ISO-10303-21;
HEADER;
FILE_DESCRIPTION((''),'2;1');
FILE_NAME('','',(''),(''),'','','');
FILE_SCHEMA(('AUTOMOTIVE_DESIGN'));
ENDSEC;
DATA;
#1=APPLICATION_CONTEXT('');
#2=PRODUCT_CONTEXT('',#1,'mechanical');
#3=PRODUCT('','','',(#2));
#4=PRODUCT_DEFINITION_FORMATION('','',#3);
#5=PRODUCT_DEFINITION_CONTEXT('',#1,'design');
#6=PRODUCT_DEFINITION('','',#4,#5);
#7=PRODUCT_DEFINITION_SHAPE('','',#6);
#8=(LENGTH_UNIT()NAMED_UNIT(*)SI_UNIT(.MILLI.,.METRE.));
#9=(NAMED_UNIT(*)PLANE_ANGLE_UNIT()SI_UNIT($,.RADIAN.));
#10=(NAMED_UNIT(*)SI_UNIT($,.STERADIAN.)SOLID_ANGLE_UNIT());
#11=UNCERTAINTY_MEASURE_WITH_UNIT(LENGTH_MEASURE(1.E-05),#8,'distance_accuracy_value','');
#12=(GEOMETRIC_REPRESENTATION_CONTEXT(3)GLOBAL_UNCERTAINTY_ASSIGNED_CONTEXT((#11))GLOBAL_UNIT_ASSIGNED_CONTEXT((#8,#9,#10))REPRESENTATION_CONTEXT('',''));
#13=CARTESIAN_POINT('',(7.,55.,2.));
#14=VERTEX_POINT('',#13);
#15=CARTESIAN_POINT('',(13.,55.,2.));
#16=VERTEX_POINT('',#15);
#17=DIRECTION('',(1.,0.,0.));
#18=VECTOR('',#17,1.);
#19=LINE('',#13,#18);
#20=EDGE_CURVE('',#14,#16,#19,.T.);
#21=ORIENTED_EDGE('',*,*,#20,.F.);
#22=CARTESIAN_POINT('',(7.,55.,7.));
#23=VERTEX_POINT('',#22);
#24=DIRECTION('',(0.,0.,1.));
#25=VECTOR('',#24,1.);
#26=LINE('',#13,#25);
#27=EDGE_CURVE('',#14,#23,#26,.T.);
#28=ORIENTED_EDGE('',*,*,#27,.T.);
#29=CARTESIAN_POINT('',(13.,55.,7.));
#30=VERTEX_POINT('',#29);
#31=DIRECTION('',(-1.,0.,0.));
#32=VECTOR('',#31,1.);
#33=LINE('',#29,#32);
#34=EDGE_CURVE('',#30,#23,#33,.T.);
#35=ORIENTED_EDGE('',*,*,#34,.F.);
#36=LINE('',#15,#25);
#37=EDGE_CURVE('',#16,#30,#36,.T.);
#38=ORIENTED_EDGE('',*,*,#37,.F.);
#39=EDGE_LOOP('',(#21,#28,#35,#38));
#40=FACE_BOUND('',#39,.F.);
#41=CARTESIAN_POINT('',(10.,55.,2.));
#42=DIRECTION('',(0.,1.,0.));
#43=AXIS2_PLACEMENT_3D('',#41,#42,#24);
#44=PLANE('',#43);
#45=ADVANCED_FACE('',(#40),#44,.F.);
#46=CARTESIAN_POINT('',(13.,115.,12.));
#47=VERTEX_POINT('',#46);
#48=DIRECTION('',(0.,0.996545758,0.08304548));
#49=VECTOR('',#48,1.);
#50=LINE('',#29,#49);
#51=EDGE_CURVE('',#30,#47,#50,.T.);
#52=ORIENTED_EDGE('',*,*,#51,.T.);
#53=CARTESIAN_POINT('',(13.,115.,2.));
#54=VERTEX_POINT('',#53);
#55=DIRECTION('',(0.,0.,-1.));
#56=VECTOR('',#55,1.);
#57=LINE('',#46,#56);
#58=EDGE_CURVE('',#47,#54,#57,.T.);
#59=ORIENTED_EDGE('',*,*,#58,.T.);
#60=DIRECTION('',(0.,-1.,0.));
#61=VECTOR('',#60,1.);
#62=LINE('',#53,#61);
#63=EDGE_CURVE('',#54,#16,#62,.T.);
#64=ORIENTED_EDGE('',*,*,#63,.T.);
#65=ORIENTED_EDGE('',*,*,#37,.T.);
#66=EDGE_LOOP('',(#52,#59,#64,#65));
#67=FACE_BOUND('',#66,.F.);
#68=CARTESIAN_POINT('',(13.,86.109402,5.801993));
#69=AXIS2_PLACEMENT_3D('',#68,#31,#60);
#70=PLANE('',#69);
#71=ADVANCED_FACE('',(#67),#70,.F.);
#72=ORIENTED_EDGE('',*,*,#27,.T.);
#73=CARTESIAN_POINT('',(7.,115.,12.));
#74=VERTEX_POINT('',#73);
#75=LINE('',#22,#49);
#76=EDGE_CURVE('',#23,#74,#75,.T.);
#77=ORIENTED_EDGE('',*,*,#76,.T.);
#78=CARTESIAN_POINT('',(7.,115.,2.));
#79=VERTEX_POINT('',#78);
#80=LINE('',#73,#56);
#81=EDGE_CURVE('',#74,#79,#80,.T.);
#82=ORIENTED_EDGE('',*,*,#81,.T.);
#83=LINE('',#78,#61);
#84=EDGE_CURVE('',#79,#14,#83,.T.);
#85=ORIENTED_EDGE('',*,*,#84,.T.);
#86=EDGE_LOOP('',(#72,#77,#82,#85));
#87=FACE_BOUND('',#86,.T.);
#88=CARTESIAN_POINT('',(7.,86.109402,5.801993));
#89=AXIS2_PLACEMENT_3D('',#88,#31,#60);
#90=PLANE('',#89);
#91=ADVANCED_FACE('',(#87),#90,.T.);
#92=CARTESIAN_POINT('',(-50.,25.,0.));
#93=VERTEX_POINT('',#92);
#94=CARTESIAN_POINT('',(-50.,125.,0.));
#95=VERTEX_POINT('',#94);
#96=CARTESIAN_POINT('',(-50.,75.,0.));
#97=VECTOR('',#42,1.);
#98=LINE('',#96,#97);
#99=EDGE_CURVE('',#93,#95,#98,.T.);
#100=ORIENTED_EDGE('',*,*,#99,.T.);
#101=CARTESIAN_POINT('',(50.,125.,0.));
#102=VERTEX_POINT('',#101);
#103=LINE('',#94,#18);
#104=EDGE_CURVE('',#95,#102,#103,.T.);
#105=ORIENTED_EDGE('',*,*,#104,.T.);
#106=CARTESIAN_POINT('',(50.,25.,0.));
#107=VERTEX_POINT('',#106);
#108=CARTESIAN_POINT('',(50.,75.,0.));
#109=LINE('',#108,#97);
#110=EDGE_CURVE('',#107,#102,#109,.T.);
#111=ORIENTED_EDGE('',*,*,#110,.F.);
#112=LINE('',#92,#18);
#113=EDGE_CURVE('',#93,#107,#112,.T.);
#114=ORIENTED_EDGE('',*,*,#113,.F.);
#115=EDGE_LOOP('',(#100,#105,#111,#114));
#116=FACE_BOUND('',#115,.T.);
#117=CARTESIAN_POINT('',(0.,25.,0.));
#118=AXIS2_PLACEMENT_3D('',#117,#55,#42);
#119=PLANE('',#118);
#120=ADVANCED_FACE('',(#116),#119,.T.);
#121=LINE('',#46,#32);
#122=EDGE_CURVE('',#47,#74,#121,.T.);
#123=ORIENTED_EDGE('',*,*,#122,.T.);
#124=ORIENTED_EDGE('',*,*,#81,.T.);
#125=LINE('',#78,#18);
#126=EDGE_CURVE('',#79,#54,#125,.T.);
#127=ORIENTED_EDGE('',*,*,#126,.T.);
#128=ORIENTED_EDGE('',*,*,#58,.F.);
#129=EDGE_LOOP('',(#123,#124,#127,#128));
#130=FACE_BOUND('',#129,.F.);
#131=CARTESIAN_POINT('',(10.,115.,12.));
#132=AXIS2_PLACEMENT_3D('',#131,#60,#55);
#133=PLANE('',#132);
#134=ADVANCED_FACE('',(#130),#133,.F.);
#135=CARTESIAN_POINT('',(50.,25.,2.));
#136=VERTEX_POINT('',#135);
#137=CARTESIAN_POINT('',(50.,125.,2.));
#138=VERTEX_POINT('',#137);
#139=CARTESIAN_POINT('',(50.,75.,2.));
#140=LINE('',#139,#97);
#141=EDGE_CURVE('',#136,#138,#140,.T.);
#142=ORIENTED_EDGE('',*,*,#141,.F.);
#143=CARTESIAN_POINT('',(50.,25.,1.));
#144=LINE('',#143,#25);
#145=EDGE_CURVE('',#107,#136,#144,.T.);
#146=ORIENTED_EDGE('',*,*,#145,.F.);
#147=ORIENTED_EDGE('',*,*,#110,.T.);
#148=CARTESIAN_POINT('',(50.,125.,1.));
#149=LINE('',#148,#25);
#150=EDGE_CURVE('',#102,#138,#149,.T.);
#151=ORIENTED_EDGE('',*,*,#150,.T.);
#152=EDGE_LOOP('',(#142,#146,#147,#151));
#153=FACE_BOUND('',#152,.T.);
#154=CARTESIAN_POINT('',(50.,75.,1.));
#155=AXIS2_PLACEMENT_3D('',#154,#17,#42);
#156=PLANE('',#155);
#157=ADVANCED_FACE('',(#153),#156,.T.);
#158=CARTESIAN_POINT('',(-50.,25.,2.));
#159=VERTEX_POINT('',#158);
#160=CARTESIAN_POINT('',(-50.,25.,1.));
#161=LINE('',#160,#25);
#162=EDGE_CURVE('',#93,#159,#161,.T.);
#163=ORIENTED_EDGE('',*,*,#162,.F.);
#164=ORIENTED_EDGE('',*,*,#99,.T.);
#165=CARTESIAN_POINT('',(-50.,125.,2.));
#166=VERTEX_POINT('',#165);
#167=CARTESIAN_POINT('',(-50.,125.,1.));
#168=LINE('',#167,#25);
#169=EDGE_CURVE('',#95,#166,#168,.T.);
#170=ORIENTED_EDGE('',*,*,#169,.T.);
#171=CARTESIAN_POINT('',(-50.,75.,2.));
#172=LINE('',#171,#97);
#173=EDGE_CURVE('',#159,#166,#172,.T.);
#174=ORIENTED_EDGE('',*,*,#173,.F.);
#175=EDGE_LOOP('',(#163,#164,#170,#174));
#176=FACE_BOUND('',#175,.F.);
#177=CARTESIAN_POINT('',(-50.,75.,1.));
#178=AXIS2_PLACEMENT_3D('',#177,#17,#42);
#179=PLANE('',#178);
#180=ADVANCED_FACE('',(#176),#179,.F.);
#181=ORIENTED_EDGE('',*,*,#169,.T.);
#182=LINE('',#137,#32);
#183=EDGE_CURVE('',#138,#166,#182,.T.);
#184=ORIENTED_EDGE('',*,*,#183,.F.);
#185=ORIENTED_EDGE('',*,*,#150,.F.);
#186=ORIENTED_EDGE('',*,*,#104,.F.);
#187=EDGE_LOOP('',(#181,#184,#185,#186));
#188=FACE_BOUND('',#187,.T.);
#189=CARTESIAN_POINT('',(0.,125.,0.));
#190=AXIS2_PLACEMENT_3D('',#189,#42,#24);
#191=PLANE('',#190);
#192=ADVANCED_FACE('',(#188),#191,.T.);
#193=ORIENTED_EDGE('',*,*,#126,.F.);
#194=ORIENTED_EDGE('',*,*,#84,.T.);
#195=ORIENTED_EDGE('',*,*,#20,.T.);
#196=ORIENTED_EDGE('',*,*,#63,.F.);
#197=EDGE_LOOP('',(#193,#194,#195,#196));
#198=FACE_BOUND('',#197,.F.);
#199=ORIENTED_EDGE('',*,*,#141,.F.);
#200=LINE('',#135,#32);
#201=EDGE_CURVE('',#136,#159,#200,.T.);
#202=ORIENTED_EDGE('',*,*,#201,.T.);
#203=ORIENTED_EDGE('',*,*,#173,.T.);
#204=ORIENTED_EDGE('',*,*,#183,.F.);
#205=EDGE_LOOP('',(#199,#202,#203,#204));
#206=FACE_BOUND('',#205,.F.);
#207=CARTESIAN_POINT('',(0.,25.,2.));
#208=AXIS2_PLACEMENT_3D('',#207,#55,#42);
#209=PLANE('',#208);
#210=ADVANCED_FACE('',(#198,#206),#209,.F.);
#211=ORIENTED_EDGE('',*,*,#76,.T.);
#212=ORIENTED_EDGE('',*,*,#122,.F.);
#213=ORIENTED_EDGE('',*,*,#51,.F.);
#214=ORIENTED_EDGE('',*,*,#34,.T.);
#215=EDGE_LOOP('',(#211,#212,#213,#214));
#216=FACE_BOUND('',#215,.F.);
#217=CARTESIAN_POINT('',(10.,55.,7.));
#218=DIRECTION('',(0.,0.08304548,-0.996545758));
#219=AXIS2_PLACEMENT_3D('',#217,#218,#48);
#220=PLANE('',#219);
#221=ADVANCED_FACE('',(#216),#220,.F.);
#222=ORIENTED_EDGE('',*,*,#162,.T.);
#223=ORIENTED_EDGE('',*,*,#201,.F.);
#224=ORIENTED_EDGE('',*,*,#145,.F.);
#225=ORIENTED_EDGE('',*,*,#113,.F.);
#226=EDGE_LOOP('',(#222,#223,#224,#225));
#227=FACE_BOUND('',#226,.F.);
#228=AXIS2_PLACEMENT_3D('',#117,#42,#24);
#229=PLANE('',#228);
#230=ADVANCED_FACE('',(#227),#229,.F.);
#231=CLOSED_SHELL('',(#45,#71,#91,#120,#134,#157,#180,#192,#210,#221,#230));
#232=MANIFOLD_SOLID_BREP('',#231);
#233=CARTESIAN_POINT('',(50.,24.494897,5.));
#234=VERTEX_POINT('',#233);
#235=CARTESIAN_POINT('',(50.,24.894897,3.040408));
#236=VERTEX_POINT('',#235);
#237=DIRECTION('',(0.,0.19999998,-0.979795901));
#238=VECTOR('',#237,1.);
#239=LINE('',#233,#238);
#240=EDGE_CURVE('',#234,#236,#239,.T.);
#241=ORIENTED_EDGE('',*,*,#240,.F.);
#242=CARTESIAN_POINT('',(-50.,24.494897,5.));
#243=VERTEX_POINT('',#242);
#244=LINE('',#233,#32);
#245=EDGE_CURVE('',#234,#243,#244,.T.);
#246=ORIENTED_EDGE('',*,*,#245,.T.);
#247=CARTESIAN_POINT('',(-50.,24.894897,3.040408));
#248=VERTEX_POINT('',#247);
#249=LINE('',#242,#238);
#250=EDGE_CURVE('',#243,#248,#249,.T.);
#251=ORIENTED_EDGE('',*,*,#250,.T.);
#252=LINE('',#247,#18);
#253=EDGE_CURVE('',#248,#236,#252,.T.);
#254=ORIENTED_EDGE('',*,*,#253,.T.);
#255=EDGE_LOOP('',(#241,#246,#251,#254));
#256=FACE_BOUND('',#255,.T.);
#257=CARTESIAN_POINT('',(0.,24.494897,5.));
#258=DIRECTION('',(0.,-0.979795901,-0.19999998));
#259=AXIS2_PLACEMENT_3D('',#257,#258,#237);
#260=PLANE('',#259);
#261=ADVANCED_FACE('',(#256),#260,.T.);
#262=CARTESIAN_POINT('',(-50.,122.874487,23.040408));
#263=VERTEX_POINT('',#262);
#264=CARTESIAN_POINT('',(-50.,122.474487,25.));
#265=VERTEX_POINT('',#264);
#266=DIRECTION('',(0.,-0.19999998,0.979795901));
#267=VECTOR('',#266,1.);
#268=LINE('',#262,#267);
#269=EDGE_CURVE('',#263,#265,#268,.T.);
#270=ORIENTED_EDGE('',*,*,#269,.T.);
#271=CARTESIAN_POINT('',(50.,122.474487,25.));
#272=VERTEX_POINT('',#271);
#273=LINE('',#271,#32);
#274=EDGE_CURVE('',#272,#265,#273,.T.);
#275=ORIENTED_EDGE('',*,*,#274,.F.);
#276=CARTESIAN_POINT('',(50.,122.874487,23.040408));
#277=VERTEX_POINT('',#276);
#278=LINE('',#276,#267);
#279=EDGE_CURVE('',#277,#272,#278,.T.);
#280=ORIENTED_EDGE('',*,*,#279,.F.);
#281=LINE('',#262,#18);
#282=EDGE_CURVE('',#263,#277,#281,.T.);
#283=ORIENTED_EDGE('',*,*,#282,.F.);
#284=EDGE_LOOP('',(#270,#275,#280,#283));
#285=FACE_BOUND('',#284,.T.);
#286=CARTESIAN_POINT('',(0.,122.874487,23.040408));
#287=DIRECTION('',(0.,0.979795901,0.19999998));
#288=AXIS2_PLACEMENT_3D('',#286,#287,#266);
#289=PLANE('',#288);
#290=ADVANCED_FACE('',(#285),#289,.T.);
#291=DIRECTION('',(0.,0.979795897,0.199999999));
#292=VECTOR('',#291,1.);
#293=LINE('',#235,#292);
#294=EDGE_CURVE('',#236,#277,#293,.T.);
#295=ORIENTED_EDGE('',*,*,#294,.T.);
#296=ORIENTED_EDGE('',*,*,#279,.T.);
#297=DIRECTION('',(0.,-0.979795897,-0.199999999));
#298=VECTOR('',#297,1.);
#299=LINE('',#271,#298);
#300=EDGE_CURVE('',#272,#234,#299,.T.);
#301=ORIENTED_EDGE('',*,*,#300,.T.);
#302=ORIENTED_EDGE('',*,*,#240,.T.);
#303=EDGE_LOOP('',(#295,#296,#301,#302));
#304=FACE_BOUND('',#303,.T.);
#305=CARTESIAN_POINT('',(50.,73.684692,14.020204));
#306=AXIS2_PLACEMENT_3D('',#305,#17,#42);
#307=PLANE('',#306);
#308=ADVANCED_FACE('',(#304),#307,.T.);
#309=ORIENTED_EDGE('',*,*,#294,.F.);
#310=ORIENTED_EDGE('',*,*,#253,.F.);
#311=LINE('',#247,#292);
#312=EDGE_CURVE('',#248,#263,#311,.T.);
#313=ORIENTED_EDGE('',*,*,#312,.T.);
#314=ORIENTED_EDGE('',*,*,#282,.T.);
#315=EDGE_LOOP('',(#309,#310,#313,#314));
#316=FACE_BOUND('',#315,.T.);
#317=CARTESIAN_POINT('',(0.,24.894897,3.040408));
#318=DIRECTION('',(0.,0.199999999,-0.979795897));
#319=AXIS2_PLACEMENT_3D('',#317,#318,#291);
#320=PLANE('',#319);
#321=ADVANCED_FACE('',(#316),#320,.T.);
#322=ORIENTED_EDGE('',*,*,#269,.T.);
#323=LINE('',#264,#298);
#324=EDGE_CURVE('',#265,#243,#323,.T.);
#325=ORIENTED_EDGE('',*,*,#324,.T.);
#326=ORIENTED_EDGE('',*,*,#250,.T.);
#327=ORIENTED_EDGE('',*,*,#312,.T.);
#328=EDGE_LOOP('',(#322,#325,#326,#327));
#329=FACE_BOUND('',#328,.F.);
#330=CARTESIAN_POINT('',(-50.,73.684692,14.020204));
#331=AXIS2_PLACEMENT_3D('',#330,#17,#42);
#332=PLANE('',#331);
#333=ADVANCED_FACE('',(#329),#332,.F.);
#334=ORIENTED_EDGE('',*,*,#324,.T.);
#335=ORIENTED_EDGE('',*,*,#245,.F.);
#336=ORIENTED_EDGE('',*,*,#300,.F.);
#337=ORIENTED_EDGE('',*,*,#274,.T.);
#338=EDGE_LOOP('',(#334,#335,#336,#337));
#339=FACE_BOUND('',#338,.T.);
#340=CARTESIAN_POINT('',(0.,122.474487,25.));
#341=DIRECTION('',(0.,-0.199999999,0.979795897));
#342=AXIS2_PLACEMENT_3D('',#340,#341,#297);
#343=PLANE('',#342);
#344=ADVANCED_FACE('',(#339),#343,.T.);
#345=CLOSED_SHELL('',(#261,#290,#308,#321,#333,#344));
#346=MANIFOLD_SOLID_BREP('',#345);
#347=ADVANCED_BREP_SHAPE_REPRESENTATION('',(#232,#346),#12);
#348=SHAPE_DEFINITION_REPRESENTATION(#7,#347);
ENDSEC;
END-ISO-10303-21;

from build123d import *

# Parameters (mm, degrees)
PAD_DEPTH    = 50
SKETCH003_W  = 100
SKETCH003_H  = 2
PAD001_DEPTH = 50
PAD003_DEPTH = 3


with BuildPart() as part:
    # Sketch001 → Pad (new body, symmetric)
    with BuildSketch(Plane.YZ):
        Polygon((24.494897, 5), (24.894897, 3.040408), (122.874487, 23.040408), (122.474487, 25), align=None)
    extrude(amount=PAD_DEPTH, both=True)

    # Sketch003 → Pad001 (join, symmetric)
    with BuildSketch(Plane.YZ):
        with Locations((75, 1)):
            Rectangle(SKETCH003_W, SKETCH003_H)
    extrude(amount=PAD001_DEPTH, both=True)

    # Sketch005 (on DatumPlane) → Pad003 (join, symmetric)
    with BuildSketch(Plane.YZ.offset(10)):
        Polygon((55, 2), (55, 7), (115, 12), (115, 2), align=None)
    extrude(amount=PAD003_DEPTH, both=True)


solid = part.part
